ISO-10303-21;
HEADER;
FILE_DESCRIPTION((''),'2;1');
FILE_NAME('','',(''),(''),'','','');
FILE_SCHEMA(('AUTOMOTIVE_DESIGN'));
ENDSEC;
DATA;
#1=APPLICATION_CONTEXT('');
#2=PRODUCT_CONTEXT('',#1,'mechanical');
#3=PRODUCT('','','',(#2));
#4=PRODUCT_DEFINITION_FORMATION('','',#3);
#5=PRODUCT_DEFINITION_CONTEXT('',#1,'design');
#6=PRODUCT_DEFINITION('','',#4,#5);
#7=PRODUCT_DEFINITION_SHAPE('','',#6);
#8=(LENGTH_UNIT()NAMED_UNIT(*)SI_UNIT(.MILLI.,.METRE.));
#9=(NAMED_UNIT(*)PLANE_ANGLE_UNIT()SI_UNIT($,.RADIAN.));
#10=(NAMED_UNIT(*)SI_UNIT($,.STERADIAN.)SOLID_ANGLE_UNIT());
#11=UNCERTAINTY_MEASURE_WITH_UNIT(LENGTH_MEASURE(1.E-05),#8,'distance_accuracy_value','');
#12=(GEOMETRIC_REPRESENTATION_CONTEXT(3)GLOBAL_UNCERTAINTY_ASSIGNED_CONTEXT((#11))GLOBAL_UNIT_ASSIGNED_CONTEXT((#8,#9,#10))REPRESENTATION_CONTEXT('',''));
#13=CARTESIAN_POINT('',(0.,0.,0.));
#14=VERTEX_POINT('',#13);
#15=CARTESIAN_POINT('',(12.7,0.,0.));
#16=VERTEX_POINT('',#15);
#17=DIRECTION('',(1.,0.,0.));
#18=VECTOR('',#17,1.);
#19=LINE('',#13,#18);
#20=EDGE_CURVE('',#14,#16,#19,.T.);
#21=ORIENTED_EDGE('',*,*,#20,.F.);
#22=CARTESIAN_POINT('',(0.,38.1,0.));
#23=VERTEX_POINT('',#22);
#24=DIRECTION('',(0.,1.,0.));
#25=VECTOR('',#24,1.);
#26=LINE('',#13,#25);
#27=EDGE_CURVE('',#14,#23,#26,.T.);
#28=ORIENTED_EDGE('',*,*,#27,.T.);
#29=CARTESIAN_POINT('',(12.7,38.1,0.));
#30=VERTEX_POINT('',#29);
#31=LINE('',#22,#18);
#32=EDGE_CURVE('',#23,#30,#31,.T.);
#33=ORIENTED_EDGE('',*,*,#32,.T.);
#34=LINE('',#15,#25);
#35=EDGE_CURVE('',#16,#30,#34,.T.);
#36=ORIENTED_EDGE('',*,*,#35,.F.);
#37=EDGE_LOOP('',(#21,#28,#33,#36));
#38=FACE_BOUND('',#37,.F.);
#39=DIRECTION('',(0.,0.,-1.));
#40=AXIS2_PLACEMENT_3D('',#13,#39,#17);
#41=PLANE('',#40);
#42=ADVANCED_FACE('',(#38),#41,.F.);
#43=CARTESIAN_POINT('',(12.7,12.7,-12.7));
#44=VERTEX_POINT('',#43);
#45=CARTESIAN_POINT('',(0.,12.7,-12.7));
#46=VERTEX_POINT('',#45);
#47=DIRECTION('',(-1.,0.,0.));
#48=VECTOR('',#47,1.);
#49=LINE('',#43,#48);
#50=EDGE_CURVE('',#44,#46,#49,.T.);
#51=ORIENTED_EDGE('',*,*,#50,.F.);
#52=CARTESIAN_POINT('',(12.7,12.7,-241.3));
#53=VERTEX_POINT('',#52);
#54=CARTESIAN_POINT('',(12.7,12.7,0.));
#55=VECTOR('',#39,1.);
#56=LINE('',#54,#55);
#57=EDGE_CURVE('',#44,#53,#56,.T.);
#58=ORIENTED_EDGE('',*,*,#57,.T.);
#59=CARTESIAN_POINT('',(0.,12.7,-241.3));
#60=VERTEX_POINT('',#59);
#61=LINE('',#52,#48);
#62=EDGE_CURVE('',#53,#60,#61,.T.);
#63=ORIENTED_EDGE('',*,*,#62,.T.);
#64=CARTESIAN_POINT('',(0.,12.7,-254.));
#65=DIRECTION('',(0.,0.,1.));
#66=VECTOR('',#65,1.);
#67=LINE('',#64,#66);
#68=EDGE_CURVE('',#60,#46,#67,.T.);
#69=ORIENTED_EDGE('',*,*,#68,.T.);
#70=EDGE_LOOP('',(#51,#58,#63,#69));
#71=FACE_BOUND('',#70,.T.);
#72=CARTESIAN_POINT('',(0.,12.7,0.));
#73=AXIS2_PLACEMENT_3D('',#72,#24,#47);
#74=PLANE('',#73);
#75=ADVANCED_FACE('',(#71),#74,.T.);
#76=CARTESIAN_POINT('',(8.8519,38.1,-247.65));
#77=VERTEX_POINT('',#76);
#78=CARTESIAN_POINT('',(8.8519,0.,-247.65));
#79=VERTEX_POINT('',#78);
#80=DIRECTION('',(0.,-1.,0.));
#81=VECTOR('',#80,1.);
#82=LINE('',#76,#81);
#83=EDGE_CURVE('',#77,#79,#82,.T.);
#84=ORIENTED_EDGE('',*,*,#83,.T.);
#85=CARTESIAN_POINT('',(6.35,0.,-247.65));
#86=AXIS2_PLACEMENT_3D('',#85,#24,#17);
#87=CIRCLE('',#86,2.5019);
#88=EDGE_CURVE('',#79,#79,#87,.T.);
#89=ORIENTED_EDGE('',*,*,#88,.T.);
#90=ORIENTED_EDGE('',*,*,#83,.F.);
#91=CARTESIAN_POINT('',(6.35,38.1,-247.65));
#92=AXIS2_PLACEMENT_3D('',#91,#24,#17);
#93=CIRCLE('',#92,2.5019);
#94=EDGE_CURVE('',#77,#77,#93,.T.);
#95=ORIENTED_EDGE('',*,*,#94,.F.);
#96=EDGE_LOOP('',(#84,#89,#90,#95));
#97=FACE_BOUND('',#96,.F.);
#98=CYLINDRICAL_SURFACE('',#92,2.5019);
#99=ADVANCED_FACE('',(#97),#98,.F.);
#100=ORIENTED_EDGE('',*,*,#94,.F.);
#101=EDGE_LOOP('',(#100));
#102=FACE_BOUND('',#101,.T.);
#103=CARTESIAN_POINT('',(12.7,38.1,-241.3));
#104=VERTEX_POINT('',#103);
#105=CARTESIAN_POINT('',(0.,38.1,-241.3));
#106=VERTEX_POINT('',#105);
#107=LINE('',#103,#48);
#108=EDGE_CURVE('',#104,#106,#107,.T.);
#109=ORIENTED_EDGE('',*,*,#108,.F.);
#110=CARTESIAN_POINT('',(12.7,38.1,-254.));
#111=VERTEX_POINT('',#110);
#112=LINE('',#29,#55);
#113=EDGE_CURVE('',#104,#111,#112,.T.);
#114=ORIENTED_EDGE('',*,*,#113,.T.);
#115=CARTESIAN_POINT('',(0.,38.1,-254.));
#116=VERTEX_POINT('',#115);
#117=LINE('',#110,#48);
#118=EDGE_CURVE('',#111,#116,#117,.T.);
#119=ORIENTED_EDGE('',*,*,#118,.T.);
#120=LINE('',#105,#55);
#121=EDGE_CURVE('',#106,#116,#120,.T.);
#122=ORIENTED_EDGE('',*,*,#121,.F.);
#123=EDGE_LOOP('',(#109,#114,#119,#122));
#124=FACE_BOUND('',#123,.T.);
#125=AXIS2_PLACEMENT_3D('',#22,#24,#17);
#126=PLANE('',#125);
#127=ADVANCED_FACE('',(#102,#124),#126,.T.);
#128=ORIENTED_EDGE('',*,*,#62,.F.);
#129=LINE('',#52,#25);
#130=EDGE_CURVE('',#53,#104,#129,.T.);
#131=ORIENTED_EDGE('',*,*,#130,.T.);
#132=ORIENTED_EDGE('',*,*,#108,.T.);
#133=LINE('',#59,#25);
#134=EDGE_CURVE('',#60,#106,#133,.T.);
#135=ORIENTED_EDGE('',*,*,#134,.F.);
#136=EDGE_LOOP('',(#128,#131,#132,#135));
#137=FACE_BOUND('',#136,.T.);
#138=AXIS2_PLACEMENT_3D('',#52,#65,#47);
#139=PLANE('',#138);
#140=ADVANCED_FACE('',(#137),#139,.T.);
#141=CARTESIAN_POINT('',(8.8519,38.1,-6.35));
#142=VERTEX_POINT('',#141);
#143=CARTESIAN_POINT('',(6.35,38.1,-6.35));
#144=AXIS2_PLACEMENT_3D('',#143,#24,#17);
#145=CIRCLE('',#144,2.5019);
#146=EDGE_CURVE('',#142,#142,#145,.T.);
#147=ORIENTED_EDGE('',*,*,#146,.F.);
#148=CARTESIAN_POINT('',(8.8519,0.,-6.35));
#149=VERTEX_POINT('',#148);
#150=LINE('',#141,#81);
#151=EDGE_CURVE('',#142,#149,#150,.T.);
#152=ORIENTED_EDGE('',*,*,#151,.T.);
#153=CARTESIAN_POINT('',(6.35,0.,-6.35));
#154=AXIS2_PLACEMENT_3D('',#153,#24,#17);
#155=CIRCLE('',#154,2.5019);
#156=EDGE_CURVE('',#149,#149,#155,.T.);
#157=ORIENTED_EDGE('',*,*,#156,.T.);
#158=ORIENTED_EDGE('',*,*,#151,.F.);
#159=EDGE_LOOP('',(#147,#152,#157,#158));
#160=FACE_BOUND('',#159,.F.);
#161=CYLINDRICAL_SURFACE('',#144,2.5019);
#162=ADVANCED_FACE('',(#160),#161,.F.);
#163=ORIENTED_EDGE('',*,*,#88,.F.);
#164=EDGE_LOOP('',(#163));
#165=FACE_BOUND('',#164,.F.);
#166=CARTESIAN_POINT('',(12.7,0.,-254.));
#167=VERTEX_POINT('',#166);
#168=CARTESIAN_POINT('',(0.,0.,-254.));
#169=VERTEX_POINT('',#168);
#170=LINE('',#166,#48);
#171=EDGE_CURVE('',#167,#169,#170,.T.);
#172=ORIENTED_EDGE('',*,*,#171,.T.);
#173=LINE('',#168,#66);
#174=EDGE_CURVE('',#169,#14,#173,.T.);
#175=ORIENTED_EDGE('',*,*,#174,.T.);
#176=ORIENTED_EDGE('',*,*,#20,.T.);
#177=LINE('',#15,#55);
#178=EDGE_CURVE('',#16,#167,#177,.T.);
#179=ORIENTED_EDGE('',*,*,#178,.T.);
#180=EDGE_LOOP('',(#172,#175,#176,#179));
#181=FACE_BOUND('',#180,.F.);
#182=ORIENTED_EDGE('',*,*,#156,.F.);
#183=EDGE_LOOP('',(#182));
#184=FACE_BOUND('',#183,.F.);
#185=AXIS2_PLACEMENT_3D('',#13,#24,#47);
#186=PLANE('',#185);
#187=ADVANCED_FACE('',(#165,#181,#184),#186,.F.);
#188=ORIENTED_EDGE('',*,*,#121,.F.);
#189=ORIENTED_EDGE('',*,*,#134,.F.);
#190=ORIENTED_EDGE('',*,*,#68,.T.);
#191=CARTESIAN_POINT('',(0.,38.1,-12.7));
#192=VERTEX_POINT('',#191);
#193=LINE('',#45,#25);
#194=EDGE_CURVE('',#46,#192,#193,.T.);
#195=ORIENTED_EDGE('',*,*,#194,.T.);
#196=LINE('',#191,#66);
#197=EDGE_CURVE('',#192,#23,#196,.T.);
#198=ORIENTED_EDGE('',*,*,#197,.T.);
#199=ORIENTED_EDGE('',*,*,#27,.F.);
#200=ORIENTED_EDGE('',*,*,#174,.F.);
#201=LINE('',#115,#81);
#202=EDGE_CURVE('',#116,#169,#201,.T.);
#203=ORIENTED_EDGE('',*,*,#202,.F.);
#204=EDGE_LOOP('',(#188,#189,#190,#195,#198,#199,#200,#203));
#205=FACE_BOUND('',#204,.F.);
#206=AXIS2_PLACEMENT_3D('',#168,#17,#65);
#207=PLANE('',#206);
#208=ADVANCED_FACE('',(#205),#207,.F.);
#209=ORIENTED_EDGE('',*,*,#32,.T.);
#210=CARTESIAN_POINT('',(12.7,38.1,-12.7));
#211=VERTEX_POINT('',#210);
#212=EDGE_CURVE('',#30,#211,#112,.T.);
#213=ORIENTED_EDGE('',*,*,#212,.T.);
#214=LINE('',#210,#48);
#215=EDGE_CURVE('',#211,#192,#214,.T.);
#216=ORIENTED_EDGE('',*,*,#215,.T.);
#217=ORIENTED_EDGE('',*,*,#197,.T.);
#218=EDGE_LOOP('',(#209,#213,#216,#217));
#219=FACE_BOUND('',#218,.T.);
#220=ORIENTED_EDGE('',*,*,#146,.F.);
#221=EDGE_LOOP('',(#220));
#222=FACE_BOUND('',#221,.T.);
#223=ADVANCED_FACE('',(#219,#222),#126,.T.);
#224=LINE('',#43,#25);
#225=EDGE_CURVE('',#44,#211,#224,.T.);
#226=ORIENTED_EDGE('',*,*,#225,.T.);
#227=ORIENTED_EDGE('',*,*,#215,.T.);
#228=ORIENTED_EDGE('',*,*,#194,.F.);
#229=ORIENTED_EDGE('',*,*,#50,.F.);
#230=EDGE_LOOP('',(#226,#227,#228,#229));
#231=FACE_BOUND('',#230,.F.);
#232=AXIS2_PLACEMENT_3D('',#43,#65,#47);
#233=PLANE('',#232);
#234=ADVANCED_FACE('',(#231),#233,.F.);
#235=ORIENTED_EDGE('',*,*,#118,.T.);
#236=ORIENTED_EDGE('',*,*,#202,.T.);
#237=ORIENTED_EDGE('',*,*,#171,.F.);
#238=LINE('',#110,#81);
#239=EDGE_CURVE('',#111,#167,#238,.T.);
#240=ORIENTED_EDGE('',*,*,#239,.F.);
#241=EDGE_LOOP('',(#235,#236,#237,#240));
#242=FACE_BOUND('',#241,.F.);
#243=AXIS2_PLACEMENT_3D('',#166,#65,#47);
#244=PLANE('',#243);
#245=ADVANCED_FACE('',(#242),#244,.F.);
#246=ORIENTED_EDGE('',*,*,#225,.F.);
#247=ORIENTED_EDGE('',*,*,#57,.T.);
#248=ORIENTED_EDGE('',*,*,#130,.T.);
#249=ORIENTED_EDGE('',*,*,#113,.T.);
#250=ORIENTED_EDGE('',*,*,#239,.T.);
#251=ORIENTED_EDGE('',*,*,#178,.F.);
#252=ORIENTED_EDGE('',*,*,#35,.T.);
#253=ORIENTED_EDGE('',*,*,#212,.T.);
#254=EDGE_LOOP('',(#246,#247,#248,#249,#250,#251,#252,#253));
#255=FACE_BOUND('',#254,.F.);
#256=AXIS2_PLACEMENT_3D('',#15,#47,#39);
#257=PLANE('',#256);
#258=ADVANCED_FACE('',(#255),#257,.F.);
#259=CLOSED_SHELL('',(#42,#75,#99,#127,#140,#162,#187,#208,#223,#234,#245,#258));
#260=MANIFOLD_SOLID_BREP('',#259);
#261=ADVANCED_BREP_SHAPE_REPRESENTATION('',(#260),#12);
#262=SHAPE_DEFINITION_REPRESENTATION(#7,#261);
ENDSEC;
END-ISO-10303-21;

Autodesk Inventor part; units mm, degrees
ref_plane "YZ Plane" through (0, 0, 0) normal (1, 0, 0) x (0, 1, 0)
ref_plane "XZ Plane" through (0, 0, 0) normal (0, 1, 0) x (-1, 0, 0)
ref_plane "XY Plane" through (0, 0, 0) normal (0, 0, 1) x (1, 0, 0)
sketch "Sketch1" plane through (0, 0, 0) normal (0, 1, 0) x (-1, 0, 0)
  line L0 (0, 0) -> (-12.7, 0)
  line L1 (-12.7, 0) -> (-12.7, -254)
  line L2 (-12.7, -254) -> (0, -254)
  line L3 (0, -254) -> (0, 0)
  dimension "d0" = 254
  dimension "d1" = 12.7
extrude "Extrusion1" add sketch "Sketch1" along normal blind 12.7
sketch "Sketch2" plane through (0, 12.7, 0) normal (0, 1, 0) x (1, 0, 0)
  line L0 (12.7, 0) -> (12.7, 254) projected
  line L1 (0, 0) -> (12.7, 0)
  line L2 (12.7, 0) -> (12.7, 12.7)
  line L3 (12.7, 12.7) -> (0, 12.7)
  line L4 (0, 12.7) -> (0, 0)
  line L5 (12.7, 254) -> (0, 254) projected
  line L6 (0, 254) -> (12.7, 254)
  line L7 (12.7, 254) -> (12.7, 241.3)
  line L8 (12.7, 241.3) -> (0, 241.3)
  line L9 (0, 241.3) -> (0, 254)
  dimension "d4" = 12.7
extrude "Extrusion2" add sketch "Sketch2" along normal blind 25.4
sketch "Sketch3" plane through (0, 38.1, 0) normal (0, 1, 0) x (1, 0, 0)
  circle A0 centre (6.35, 6.35) radius 2.5019
  line L0 (0, 0) -> (12.7, 0) projected
  line L1 (12.7, 0) -> (12.7, 12.7) projected
  circle A1 centre (6.35, 247.65) radius 2.5019
  dimension "d7" = 5.0038
  dimension "d8" = 6.35
  dimension "d9" = 6.35
  dimension "d12" = 241.3
extrude "Extrusion3" cut sketch "Sketch3" against normal up to surface (38.1 mm away)
properties part number "handle ds"
